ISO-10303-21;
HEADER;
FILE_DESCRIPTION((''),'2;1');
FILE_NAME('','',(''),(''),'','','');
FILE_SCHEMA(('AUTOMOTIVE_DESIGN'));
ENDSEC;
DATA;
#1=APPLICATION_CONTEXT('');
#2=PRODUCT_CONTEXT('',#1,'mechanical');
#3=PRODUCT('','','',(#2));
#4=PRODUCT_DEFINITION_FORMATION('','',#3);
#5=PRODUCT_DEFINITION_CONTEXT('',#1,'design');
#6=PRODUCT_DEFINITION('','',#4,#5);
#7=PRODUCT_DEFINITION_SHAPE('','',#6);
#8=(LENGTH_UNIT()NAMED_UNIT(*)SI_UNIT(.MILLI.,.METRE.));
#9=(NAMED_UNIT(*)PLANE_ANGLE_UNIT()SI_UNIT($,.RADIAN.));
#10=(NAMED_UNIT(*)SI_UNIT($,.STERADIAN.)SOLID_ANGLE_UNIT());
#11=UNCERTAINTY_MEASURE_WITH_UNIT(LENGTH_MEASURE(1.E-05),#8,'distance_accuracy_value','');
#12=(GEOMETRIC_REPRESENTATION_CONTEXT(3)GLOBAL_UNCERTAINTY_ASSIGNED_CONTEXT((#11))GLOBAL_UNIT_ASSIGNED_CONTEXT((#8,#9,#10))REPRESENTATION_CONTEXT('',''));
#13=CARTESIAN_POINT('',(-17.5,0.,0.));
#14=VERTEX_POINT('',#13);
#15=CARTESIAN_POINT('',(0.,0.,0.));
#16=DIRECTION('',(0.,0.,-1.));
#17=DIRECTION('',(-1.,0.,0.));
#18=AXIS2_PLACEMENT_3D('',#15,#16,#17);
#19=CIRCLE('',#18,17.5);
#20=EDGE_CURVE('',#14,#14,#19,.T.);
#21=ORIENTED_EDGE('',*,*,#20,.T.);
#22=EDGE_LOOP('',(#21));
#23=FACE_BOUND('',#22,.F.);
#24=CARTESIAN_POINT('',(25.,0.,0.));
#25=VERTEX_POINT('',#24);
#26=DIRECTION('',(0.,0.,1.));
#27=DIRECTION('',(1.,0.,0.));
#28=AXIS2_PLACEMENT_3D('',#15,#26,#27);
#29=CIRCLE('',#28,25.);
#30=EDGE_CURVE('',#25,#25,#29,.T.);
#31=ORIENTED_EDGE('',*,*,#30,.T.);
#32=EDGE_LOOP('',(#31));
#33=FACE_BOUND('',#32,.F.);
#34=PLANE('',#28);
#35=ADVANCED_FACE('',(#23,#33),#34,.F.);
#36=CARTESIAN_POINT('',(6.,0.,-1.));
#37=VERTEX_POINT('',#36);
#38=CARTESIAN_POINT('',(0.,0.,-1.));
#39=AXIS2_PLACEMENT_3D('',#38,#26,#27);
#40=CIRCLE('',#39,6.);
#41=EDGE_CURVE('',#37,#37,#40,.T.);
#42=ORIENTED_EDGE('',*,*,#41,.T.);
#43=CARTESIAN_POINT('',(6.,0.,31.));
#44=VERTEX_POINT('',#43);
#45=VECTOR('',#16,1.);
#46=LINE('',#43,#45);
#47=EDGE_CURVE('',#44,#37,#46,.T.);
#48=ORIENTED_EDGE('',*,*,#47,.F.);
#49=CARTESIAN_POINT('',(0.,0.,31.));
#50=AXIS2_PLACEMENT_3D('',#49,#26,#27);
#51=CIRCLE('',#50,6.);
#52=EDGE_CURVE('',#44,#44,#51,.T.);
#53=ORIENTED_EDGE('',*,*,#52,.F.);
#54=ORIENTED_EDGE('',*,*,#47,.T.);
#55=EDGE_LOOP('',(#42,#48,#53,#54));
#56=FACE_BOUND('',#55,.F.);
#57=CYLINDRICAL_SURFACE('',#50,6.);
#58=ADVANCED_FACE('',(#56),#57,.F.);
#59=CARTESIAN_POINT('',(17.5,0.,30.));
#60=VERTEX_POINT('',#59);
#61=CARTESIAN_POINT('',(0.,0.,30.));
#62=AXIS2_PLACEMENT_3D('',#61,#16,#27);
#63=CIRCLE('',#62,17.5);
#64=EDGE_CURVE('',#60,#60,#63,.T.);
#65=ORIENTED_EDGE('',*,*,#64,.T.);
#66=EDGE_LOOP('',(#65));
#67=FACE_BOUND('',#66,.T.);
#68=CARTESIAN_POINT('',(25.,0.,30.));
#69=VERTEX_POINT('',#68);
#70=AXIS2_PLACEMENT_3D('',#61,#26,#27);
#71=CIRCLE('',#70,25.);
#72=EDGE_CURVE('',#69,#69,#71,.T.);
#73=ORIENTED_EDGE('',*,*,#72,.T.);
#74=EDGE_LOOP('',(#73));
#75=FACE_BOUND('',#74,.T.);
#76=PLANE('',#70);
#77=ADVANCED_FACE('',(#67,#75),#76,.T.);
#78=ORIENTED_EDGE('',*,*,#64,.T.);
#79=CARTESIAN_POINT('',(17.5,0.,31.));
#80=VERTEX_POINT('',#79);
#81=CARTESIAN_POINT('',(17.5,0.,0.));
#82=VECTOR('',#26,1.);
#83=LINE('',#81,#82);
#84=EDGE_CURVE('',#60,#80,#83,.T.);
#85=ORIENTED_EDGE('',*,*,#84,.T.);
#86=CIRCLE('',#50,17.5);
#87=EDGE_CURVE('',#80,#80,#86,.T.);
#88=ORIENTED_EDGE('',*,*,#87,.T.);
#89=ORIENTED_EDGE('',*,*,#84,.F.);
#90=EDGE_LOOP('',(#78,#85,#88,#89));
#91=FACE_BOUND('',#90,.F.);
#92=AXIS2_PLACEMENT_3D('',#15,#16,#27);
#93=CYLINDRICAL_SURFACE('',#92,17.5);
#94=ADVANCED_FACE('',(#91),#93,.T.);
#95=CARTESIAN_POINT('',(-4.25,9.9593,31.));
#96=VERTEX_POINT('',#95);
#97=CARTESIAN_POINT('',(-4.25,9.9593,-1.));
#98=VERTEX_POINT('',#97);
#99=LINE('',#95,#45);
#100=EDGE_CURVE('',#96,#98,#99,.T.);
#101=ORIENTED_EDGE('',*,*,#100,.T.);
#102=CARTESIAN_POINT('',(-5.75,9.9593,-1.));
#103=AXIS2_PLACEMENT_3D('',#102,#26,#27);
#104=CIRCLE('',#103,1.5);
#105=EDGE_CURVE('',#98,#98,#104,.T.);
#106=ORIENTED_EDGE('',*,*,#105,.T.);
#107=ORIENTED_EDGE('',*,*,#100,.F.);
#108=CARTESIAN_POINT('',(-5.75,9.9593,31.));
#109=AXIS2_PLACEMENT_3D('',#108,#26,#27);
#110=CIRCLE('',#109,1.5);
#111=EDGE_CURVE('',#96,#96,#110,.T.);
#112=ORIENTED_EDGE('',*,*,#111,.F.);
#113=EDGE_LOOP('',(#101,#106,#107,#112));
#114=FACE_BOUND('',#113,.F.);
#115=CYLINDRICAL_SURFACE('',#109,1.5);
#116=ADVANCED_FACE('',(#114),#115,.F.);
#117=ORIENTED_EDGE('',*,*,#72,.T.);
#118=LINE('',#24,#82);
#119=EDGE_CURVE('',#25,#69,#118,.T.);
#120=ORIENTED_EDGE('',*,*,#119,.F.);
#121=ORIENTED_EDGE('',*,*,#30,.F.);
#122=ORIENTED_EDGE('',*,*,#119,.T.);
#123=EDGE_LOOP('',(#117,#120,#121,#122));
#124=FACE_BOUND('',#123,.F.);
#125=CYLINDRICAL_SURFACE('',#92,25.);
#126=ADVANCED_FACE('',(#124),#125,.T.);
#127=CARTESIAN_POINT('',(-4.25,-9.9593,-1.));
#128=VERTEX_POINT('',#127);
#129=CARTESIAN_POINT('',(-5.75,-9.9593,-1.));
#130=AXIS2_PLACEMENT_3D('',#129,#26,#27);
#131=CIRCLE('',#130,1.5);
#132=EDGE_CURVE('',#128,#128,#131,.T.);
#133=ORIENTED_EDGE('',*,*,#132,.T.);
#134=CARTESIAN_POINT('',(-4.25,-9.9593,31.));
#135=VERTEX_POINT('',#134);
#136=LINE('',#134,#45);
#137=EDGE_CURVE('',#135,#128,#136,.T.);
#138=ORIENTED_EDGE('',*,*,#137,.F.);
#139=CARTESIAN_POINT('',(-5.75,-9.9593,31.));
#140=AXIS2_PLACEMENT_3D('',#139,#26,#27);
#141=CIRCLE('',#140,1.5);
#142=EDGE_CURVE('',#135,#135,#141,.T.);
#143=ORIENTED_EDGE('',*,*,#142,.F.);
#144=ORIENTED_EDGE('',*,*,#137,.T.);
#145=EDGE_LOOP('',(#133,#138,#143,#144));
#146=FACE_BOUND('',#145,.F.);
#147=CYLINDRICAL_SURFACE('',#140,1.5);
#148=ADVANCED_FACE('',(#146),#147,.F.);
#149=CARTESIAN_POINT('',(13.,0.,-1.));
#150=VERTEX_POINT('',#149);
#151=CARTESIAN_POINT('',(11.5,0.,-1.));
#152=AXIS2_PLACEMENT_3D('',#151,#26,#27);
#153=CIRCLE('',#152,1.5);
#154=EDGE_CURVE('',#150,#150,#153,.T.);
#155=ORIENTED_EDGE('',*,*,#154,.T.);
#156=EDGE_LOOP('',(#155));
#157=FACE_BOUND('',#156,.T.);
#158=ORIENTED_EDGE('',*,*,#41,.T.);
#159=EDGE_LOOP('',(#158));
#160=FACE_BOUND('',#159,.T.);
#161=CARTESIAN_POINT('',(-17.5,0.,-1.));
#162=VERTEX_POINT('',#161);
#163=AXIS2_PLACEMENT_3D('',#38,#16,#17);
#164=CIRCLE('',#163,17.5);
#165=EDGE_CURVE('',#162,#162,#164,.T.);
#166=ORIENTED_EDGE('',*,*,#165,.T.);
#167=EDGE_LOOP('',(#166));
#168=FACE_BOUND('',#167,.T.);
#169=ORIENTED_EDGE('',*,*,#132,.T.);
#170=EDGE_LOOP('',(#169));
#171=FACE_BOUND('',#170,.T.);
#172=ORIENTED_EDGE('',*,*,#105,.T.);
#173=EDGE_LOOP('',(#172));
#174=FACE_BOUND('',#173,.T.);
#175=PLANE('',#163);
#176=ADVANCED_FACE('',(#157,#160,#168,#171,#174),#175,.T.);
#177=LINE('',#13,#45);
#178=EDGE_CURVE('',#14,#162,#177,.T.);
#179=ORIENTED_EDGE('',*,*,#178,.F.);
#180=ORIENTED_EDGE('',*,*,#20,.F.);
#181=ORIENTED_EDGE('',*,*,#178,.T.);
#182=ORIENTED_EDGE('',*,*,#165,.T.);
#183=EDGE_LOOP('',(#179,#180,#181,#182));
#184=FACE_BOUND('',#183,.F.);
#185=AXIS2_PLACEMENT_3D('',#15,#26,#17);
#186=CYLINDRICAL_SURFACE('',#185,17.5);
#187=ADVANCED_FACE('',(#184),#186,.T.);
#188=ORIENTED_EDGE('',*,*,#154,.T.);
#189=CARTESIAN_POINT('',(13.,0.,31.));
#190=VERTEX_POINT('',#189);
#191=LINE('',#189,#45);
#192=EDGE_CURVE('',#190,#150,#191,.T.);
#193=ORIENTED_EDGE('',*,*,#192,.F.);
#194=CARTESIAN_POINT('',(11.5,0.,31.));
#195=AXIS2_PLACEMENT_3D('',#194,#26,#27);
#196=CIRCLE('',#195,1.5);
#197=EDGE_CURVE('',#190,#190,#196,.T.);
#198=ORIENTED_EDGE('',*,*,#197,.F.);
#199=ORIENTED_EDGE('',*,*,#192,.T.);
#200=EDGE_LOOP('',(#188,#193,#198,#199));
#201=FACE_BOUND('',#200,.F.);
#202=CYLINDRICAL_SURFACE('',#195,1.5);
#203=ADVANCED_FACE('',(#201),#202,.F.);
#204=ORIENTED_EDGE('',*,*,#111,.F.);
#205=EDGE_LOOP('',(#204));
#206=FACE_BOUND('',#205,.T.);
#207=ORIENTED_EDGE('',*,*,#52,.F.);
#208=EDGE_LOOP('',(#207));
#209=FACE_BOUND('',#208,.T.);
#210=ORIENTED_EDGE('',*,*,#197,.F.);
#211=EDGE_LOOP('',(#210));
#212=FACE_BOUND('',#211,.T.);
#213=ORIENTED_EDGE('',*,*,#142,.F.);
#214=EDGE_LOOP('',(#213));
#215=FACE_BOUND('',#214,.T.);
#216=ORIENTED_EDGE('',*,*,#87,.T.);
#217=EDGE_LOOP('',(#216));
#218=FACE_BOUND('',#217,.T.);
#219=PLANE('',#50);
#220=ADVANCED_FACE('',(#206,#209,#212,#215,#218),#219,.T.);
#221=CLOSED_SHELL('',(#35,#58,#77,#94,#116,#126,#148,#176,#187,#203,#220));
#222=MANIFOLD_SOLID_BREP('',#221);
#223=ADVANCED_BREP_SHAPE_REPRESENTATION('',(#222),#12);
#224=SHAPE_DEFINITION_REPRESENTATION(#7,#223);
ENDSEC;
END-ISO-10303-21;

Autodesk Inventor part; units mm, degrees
ref_plane "YZ Plane" through (0, 0, 0) normal (1, 0, 0) x (0, 1, 0)
ref_plane "XZ Plane" through (0, 0, 0) normal (0, 1, 0) x (-1, 0, 0)
ref_plane "XY Plane" through (0, 0, 0) normal (0, 0, 1) x (1, 0, 0)
sketch "Skizze1" plane through (0, 0, 0) normal (0, 0, 1) x (1, 0, 0)
  circle A0 centre (0, 0) radius 17.5
  dimension "d1" = 35
extrude "Extrusion1" add sketch "Skizze1" along normal blind 31
sketch "Skizze2" plane through (0, 0, 0) normal (0, 0, -1) x (-1, 0, 0)
  point P0 (0, 0)
ref_plane "Arbeitsebene1" through (0, 0, 0) normal (0, 0, 1) x (1, 0, 0)
sketch "Skizze3" plane through (0, 0, 0) normal (0, 0, 1) x (1, 0, 0)
  circle A0 centre (0, 0) radius 25
  dimension "d7" = 50
extrude "Extrusion3" add sketch "Skizze3" along normal blind 30
sketch "Skizze4" plane through (0, 0, 0) normal (0, 0, -1) x (-1, 0, 0)
  circle A0 centre (0, 0) radius 17.5
extrude "Extrusion4" add sketch "Skizze4" along normal blind 1
sketch "Skizze5" plane through (0, 0, 31) normal (0, 0, 1) x (1, 0, 0)
  line L0 (0, 0) -> (11.5, 0) construction
  line L1 (0, 0) -> (11.5, 0) construction
  circle A0 centre (-5.75, -9.9593) radius 1.5
  circle A1 centre (-5.75, 9.9593) radius 1.5
  circle A2 centre (11.5, 0) radius 1.5
  circle A3 centre (0, 0) radius 6
  dimension "d18" = 3
  dimension "d19" = 3
  dimension "d20" = 3
  dimension "d21" = 12
extrude "Extrusion5" cut sketch "Skizze5" against normal through all
properties part number "Drohnenrad"
